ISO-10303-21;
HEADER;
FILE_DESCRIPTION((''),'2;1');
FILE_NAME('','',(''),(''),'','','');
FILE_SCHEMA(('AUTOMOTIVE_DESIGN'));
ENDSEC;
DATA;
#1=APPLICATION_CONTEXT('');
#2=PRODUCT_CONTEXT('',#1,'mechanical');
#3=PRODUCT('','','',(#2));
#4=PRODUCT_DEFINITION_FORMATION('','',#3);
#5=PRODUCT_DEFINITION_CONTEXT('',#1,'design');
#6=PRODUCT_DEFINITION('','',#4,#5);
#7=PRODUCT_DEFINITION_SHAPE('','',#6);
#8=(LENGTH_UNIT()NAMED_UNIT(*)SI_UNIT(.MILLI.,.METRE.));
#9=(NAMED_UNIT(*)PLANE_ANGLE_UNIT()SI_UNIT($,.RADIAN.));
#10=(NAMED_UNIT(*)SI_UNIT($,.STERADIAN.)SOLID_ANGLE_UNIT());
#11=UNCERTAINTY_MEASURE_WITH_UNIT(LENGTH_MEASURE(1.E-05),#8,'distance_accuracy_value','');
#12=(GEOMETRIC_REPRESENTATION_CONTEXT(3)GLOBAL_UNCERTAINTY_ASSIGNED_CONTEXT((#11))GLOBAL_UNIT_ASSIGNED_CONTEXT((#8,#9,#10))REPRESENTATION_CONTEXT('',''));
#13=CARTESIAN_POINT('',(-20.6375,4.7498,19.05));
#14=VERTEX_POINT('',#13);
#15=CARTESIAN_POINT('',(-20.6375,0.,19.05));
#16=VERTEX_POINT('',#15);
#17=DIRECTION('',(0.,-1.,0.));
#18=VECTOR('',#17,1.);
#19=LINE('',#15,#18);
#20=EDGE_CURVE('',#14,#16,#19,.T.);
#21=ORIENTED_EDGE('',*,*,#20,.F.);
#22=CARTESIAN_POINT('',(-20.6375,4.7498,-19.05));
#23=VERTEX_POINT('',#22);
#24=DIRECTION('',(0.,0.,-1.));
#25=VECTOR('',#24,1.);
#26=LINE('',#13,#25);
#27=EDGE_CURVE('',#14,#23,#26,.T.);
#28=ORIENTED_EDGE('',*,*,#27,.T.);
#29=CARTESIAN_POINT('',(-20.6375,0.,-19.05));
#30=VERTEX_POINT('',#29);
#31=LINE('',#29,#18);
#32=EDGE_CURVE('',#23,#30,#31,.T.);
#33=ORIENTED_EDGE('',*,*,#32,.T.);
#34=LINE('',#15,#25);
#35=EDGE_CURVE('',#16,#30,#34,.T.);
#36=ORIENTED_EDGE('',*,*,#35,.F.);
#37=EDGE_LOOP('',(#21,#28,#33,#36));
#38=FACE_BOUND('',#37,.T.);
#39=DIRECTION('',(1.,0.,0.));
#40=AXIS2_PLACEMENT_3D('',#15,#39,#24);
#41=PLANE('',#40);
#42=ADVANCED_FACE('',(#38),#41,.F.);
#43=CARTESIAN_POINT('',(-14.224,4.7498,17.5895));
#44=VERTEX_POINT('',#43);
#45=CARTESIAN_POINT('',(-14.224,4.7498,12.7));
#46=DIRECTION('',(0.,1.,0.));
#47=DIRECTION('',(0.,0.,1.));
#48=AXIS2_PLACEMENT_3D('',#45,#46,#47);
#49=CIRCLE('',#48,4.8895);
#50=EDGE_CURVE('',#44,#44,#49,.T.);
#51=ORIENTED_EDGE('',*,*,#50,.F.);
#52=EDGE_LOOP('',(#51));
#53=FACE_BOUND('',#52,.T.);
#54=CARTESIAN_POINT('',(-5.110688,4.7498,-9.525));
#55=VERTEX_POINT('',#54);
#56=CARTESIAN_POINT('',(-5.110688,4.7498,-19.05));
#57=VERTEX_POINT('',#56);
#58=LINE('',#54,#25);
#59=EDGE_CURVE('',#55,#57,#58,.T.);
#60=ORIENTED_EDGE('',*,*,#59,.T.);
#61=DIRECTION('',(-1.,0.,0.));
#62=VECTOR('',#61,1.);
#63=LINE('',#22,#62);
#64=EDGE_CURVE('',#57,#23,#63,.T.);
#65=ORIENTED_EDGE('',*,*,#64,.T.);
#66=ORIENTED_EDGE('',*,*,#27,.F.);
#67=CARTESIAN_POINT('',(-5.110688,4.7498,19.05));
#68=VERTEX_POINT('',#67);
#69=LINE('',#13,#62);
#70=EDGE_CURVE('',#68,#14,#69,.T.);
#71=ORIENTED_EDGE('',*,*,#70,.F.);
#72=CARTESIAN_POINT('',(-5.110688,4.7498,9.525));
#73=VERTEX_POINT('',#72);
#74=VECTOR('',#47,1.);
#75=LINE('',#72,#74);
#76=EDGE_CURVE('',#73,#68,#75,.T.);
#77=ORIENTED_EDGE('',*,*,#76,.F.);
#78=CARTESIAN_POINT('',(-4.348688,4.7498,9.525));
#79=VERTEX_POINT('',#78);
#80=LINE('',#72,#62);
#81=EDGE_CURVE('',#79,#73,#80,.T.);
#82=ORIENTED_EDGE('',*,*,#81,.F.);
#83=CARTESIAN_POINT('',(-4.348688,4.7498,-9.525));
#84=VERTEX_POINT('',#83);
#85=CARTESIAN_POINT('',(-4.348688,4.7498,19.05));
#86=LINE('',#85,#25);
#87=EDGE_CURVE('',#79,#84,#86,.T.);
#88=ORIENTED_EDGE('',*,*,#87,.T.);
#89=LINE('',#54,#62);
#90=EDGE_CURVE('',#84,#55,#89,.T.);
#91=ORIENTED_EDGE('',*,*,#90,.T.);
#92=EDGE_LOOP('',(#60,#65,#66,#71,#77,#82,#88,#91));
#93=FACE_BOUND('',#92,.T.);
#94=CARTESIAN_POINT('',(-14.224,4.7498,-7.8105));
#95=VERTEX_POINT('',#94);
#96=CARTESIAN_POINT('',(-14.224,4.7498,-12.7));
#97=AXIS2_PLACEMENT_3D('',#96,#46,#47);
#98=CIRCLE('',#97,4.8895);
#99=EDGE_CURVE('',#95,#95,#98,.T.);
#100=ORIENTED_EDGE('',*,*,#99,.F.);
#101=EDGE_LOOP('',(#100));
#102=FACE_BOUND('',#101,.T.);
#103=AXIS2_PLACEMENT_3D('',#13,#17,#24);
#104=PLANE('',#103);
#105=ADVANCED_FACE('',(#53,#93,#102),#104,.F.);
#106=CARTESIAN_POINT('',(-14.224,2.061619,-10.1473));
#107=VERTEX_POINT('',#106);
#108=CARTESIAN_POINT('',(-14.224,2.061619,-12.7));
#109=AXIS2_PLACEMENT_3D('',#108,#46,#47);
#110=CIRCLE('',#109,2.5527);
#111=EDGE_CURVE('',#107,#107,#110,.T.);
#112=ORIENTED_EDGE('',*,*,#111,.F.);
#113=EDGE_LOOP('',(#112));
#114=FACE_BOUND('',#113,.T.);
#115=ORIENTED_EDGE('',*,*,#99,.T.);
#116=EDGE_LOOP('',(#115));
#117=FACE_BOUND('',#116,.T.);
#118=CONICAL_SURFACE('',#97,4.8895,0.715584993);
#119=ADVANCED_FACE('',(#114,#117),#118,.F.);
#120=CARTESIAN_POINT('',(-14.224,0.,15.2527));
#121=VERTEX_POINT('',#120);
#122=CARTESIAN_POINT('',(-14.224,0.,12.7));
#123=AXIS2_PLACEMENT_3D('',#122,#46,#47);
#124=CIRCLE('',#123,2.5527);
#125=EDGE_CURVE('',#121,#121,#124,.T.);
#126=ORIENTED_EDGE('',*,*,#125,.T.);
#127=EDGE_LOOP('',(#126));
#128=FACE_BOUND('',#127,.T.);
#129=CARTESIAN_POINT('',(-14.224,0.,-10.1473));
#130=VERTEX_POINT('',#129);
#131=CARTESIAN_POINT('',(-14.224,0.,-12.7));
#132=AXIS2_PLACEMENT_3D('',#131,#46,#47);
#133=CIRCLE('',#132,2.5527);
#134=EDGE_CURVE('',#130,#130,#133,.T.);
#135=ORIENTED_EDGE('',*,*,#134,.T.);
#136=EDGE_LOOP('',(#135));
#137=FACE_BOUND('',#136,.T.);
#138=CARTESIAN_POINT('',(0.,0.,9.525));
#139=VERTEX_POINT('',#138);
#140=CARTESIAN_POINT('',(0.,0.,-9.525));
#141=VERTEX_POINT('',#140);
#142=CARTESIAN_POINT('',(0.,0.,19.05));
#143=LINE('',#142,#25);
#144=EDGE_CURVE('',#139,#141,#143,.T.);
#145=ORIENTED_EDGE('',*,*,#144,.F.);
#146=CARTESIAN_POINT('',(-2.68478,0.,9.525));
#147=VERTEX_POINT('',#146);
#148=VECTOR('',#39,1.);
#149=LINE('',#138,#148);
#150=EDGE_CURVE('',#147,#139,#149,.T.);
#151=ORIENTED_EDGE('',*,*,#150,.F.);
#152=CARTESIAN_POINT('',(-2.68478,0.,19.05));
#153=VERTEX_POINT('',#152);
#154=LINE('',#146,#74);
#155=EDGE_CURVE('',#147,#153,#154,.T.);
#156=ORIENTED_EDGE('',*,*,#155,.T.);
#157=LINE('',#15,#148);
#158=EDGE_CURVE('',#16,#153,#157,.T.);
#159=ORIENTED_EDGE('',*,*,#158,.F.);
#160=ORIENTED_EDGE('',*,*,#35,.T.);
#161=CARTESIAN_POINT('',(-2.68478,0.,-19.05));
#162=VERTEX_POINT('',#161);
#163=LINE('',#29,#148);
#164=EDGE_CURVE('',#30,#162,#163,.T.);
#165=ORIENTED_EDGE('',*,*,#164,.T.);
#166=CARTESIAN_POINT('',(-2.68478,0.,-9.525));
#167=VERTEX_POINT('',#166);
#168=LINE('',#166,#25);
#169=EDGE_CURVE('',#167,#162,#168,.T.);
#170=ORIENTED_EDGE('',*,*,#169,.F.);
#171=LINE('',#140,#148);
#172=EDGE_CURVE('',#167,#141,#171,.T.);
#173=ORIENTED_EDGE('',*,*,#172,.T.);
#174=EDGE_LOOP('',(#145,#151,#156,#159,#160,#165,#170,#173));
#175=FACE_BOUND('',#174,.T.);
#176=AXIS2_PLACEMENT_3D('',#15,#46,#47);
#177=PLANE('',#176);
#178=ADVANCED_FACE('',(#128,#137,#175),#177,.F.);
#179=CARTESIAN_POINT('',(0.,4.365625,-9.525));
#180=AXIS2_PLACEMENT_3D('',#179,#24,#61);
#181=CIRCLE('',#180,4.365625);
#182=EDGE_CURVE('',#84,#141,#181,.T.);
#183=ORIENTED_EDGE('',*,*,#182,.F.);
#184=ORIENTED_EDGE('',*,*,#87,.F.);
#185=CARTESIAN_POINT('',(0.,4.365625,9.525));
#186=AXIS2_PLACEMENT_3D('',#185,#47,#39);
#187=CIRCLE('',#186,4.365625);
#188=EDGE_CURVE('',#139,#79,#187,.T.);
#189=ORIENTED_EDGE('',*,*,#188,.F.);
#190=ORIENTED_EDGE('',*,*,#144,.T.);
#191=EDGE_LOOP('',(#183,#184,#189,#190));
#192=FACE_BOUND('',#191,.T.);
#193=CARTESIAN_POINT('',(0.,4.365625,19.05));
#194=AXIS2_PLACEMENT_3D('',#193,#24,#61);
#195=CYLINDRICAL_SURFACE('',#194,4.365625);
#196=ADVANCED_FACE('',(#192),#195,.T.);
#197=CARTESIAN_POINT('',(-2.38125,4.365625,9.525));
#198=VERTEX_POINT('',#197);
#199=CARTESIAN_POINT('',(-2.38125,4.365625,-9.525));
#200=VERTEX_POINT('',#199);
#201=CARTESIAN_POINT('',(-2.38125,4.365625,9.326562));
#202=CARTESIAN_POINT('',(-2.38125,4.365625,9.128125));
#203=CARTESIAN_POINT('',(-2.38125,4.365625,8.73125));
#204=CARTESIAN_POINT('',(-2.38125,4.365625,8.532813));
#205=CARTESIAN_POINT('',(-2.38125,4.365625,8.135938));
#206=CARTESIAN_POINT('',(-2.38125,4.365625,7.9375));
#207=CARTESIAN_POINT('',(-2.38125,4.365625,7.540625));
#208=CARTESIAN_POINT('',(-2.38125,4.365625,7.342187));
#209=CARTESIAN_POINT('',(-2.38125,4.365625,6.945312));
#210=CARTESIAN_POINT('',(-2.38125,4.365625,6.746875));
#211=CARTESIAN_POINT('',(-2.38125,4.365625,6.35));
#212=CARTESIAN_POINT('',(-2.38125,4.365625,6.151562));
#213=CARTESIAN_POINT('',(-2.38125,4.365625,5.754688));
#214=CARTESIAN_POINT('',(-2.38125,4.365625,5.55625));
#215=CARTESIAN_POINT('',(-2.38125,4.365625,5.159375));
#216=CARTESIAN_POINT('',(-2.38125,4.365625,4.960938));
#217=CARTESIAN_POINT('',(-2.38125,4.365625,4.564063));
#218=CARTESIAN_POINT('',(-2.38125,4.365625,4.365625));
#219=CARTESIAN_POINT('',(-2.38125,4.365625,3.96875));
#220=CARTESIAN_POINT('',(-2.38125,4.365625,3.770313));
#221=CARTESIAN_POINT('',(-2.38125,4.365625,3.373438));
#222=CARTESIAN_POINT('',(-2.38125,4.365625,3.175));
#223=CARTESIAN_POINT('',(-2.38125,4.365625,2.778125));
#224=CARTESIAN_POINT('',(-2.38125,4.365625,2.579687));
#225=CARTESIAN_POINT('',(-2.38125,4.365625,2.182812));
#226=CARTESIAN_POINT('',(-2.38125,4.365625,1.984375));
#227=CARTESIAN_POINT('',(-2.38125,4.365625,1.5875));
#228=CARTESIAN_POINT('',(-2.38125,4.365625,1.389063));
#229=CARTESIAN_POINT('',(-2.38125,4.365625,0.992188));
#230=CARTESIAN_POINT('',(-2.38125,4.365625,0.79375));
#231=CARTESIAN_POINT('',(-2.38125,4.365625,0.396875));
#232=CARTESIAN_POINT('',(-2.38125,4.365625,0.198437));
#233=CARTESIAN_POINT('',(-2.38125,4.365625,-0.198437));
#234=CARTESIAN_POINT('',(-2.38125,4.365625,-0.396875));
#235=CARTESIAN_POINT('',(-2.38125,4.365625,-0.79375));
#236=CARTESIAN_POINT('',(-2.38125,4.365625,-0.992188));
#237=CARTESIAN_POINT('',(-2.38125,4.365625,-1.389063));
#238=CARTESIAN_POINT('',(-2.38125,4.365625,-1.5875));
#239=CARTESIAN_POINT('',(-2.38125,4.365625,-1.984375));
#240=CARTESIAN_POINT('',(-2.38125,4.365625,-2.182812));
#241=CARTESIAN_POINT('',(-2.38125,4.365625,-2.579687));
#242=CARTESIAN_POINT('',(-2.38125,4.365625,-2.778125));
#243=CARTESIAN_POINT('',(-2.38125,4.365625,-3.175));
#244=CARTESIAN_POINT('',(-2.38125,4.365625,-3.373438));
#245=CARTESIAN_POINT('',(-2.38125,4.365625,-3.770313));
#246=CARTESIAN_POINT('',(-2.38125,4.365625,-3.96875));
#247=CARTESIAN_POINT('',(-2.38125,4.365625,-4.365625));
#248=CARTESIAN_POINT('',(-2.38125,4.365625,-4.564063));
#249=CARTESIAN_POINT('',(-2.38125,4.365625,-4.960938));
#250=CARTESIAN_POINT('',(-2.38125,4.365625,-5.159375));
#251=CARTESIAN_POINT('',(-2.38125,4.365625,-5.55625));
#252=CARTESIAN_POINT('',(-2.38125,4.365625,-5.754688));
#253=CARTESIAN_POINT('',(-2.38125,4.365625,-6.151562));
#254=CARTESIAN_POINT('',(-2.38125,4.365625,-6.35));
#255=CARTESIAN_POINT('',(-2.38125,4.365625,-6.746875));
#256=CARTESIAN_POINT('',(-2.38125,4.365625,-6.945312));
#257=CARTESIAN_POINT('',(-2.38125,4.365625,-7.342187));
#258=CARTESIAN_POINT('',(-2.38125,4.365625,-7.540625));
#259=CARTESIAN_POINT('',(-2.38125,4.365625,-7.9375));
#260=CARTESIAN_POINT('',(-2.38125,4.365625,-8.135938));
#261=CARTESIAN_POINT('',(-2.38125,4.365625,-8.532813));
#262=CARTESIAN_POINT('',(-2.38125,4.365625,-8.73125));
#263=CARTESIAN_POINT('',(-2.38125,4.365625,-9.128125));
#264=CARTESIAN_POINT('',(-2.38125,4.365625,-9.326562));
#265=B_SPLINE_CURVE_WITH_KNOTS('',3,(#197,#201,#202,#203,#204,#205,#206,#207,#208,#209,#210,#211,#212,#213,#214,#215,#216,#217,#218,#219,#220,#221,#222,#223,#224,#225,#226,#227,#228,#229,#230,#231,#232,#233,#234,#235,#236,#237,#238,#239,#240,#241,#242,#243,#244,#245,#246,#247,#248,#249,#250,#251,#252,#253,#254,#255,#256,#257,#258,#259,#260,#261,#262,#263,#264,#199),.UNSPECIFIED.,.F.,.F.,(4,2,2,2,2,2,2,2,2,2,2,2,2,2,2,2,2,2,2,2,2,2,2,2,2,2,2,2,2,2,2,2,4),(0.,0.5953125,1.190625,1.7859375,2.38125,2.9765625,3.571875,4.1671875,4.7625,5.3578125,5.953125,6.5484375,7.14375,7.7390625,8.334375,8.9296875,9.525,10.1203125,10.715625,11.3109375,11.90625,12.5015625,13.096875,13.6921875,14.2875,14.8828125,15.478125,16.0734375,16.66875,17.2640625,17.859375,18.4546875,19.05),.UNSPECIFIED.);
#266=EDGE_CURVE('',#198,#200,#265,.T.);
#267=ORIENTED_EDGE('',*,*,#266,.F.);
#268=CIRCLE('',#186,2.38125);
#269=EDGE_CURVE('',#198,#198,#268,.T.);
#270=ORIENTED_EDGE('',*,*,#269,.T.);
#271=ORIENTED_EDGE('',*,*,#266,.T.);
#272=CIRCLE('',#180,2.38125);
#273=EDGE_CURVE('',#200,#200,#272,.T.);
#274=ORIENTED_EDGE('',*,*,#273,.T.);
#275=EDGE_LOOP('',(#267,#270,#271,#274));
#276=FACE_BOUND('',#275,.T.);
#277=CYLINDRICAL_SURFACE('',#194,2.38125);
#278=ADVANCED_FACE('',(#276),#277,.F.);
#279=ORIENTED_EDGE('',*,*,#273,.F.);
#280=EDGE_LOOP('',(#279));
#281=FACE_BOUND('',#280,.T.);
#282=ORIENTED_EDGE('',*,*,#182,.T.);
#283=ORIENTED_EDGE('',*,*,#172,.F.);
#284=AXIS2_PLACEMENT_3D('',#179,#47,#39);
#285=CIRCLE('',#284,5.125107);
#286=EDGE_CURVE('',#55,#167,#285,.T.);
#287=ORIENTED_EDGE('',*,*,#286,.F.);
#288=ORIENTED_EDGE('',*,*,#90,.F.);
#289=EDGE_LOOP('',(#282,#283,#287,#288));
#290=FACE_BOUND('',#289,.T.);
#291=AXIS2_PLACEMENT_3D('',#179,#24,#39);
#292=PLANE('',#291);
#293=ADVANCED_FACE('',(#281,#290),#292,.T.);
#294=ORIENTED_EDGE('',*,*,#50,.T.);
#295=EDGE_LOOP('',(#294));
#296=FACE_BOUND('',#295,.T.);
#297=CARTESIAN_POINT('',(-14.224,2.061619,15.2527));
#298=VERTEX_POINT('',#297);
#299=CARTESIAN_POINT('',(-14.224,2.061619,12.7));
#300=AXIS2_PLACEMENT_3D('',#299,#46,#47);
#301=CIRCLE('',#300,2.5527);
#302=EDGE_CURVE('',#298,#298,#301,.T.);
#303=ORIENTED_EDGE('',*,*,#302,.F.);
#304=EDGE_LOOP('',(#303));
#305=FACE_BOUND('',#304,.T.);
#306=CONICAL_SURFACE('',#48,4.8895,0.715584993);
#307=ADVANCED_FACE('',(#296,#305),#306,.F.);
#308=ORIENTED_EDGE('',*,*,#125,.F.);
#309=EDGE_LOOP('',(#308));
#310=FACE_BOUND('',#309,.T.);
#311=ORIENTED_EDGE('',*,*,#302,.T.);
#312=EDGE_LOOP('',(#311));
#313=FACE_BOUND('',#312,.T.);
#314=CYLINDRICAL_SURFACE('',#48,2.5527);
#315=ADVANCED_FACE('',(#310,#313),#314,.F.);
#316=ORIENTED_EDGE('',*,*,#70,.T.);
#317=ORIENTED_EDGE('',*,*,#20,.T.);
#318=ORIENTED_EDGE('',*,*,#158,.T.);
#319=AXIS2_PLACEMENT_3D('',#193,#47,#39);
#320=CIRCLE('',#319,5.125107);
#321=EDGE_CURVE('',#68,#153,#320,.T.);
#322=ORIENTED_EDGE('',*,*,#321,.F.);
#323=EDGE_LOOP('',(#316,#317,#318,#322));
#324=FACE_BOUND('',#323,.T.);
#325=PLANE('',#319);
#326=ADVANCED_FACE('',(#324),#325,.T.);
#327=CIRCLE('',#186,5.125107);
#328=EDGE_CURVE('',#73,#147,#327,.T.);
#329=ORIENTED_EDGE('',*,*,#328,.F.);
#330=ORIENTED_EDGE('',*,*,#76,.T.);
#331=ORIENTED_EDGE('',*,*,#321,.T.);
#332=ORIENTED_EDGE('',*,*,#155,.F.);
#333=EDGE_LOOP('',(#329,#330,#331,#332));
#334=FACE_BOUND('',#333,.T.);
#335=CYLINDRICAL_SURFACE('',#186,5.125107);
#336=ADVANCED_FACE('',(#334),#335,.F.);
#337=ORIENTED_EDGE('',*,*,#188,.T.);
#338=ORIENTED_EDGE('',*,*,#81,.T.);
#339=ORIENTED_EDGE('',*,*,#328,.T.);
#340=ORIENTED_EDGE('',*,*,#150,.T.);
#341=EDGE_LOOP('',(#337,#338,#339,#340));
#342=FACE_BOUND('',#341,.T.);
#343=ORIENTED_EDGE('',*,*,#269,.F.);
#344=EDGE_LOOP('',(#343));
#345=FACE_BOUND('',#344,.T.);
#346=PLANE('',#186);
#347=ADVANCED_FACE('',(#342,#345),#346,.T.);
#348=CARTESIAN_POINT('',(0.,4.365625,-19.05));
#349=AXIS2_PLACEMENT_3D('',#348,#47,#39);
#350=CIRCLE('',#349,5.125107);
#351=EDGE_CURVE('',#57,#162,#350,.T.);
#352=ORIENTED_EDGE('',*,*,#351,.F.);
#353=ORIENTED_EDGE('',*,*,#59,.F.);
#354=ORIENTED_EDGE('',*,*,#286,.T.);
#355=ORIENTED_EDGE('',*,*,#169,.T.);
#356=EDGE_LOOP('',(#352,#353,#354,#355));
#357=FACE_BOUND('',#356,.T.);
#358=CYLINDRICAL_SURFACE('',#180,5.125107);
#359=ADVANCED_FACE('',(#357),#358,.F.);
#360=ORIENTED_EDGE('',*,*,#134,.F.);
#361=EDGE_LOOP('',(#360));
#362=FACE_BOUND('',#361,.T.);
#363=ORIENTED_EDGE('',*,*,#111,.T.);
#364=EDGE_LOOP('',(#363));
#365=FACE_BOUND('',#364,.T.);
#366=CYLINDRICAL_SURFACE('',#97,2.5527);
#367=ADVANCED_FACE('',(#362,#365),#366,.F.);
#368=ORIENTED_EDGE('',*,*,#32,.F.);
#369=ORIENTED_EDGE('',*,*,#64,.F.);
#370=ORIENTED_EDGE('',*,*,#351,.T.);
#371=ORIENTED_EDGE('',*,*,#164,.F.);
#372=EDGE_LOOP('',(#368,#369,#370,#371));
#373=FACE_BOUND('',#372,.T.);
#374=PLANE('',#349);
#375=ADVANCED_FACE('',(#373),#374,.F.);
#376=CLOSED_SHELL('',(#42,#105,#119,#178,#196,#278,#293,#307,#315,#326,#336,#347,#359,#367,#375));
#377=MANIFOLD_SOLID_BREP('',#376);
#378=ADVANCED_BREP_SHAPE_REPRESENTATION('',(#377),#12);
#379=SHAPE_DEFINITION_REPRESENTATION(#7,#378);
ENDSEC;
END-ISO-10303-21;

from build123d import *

# Parameters (mm, degrees)
SKETCH1_R                                    = 2.38125
EXTRUDE1_DEPTH                               = 19.05
CUT_EXTRUDE1_DEPTH                           = 9.525
CSK_FOR_10_FLAT_HEAD_MACHINE_SCREW1_AT_COUNT = 2
CSK_FOR_10_FLAT_HEAD_MACHINE_SCREW1_AT_PITCH = 25.4


with BuildPart() as part:
    # Sketch1 → Extrude1 (new, symmetric)
    with BuildSketch(Plane.XY):
        with BuildLine():
            Line((-20.6375, 0), (0, 0))
            ThreePointArc((0, 0), (3.219925902, 1.417615701), (4.348688447, 4.7498))
            ThreePointArc((4.348688447, 4.7498), (0, 8.73125), (-4.348688447, 4.7498))
            Line((-4.348688447, 4.7498), (-20.6375, 4.7498))
            Line((-20.6375, 4.7498), (-20.6375, 0))
        make_face()
        with Locations(Location((0, 4.365625, 0), (0, 0, 180))):
            Circle(SKETCH1_R, mode=Mode.SUBTRACT)
    extrude(amount=EXTRUDE1_DEPTH, both=True)

    # Sketch2 → Cut-Extrude1 (cut)
    with BuildSketch(Plane.XY.offset(19.05)):
        with BuildLine():
            Line((-5.110688447, 4.7498), (-4.348688447, 4.7498))
            ThreePointArc((-4.348688447, 4.7498), (3.936533663, 7.969725902), (0, 0))
            Line((0, 0), (-2.684780288, 0))
            ThreePointArc((-2.684780288, 0), (-4.564261518, 2.034478581), (-5.110688447, 4.7498))
        make_face()
    cut_extrude1 = extrude(amount=-CUT_EXTRUDE1_DEPTH, mode=Mode.SUBTRACT)

    # Mirror1: Cut-Extrude1 across plane
    add(cut_extrude1.mirror(Plane.XY), mode=Mode.SUBTRACT)

    # Sketch6 → CSK for #10 Flat Head Machine Screw1 (revolve, cut)
    with BuildSketch(Plane(origin=(-14.224, 4.7498, -12.7), x_dir=(0, 0, 1), z_dir=(1, 0, 0))):
        Polygon((0, 0), (0, 4.7498), (2.5527, 4.7498), (2.5527, 2.688180894), (4.8895, 0), align=None)
    csk_for_10_flat_head_machine_screw1 = revolve(axis=Axis((-14.224, 11.0998, -12.7), (0, -1, 0)), mode=Mode.SUBTRACT)

    # CSK for #10 Flat Head Machine Screw1 at: CSK for #10 Flat Head Machine Screw1 ×2
    with Locations(*[(0, 0, i * CSK_FOR_10_FLAT_HEAD_MACHINE_SCREW1_AT_PITCH) for i in range(1, CSK_FOR_10_FLAT_HEAD_MACHINE_SCREW1_AT_COUNT)]):
        add(csk_for_10_flat_head_machine_screw1, mode=Mode.SUBTRACT)


solid = part.part
